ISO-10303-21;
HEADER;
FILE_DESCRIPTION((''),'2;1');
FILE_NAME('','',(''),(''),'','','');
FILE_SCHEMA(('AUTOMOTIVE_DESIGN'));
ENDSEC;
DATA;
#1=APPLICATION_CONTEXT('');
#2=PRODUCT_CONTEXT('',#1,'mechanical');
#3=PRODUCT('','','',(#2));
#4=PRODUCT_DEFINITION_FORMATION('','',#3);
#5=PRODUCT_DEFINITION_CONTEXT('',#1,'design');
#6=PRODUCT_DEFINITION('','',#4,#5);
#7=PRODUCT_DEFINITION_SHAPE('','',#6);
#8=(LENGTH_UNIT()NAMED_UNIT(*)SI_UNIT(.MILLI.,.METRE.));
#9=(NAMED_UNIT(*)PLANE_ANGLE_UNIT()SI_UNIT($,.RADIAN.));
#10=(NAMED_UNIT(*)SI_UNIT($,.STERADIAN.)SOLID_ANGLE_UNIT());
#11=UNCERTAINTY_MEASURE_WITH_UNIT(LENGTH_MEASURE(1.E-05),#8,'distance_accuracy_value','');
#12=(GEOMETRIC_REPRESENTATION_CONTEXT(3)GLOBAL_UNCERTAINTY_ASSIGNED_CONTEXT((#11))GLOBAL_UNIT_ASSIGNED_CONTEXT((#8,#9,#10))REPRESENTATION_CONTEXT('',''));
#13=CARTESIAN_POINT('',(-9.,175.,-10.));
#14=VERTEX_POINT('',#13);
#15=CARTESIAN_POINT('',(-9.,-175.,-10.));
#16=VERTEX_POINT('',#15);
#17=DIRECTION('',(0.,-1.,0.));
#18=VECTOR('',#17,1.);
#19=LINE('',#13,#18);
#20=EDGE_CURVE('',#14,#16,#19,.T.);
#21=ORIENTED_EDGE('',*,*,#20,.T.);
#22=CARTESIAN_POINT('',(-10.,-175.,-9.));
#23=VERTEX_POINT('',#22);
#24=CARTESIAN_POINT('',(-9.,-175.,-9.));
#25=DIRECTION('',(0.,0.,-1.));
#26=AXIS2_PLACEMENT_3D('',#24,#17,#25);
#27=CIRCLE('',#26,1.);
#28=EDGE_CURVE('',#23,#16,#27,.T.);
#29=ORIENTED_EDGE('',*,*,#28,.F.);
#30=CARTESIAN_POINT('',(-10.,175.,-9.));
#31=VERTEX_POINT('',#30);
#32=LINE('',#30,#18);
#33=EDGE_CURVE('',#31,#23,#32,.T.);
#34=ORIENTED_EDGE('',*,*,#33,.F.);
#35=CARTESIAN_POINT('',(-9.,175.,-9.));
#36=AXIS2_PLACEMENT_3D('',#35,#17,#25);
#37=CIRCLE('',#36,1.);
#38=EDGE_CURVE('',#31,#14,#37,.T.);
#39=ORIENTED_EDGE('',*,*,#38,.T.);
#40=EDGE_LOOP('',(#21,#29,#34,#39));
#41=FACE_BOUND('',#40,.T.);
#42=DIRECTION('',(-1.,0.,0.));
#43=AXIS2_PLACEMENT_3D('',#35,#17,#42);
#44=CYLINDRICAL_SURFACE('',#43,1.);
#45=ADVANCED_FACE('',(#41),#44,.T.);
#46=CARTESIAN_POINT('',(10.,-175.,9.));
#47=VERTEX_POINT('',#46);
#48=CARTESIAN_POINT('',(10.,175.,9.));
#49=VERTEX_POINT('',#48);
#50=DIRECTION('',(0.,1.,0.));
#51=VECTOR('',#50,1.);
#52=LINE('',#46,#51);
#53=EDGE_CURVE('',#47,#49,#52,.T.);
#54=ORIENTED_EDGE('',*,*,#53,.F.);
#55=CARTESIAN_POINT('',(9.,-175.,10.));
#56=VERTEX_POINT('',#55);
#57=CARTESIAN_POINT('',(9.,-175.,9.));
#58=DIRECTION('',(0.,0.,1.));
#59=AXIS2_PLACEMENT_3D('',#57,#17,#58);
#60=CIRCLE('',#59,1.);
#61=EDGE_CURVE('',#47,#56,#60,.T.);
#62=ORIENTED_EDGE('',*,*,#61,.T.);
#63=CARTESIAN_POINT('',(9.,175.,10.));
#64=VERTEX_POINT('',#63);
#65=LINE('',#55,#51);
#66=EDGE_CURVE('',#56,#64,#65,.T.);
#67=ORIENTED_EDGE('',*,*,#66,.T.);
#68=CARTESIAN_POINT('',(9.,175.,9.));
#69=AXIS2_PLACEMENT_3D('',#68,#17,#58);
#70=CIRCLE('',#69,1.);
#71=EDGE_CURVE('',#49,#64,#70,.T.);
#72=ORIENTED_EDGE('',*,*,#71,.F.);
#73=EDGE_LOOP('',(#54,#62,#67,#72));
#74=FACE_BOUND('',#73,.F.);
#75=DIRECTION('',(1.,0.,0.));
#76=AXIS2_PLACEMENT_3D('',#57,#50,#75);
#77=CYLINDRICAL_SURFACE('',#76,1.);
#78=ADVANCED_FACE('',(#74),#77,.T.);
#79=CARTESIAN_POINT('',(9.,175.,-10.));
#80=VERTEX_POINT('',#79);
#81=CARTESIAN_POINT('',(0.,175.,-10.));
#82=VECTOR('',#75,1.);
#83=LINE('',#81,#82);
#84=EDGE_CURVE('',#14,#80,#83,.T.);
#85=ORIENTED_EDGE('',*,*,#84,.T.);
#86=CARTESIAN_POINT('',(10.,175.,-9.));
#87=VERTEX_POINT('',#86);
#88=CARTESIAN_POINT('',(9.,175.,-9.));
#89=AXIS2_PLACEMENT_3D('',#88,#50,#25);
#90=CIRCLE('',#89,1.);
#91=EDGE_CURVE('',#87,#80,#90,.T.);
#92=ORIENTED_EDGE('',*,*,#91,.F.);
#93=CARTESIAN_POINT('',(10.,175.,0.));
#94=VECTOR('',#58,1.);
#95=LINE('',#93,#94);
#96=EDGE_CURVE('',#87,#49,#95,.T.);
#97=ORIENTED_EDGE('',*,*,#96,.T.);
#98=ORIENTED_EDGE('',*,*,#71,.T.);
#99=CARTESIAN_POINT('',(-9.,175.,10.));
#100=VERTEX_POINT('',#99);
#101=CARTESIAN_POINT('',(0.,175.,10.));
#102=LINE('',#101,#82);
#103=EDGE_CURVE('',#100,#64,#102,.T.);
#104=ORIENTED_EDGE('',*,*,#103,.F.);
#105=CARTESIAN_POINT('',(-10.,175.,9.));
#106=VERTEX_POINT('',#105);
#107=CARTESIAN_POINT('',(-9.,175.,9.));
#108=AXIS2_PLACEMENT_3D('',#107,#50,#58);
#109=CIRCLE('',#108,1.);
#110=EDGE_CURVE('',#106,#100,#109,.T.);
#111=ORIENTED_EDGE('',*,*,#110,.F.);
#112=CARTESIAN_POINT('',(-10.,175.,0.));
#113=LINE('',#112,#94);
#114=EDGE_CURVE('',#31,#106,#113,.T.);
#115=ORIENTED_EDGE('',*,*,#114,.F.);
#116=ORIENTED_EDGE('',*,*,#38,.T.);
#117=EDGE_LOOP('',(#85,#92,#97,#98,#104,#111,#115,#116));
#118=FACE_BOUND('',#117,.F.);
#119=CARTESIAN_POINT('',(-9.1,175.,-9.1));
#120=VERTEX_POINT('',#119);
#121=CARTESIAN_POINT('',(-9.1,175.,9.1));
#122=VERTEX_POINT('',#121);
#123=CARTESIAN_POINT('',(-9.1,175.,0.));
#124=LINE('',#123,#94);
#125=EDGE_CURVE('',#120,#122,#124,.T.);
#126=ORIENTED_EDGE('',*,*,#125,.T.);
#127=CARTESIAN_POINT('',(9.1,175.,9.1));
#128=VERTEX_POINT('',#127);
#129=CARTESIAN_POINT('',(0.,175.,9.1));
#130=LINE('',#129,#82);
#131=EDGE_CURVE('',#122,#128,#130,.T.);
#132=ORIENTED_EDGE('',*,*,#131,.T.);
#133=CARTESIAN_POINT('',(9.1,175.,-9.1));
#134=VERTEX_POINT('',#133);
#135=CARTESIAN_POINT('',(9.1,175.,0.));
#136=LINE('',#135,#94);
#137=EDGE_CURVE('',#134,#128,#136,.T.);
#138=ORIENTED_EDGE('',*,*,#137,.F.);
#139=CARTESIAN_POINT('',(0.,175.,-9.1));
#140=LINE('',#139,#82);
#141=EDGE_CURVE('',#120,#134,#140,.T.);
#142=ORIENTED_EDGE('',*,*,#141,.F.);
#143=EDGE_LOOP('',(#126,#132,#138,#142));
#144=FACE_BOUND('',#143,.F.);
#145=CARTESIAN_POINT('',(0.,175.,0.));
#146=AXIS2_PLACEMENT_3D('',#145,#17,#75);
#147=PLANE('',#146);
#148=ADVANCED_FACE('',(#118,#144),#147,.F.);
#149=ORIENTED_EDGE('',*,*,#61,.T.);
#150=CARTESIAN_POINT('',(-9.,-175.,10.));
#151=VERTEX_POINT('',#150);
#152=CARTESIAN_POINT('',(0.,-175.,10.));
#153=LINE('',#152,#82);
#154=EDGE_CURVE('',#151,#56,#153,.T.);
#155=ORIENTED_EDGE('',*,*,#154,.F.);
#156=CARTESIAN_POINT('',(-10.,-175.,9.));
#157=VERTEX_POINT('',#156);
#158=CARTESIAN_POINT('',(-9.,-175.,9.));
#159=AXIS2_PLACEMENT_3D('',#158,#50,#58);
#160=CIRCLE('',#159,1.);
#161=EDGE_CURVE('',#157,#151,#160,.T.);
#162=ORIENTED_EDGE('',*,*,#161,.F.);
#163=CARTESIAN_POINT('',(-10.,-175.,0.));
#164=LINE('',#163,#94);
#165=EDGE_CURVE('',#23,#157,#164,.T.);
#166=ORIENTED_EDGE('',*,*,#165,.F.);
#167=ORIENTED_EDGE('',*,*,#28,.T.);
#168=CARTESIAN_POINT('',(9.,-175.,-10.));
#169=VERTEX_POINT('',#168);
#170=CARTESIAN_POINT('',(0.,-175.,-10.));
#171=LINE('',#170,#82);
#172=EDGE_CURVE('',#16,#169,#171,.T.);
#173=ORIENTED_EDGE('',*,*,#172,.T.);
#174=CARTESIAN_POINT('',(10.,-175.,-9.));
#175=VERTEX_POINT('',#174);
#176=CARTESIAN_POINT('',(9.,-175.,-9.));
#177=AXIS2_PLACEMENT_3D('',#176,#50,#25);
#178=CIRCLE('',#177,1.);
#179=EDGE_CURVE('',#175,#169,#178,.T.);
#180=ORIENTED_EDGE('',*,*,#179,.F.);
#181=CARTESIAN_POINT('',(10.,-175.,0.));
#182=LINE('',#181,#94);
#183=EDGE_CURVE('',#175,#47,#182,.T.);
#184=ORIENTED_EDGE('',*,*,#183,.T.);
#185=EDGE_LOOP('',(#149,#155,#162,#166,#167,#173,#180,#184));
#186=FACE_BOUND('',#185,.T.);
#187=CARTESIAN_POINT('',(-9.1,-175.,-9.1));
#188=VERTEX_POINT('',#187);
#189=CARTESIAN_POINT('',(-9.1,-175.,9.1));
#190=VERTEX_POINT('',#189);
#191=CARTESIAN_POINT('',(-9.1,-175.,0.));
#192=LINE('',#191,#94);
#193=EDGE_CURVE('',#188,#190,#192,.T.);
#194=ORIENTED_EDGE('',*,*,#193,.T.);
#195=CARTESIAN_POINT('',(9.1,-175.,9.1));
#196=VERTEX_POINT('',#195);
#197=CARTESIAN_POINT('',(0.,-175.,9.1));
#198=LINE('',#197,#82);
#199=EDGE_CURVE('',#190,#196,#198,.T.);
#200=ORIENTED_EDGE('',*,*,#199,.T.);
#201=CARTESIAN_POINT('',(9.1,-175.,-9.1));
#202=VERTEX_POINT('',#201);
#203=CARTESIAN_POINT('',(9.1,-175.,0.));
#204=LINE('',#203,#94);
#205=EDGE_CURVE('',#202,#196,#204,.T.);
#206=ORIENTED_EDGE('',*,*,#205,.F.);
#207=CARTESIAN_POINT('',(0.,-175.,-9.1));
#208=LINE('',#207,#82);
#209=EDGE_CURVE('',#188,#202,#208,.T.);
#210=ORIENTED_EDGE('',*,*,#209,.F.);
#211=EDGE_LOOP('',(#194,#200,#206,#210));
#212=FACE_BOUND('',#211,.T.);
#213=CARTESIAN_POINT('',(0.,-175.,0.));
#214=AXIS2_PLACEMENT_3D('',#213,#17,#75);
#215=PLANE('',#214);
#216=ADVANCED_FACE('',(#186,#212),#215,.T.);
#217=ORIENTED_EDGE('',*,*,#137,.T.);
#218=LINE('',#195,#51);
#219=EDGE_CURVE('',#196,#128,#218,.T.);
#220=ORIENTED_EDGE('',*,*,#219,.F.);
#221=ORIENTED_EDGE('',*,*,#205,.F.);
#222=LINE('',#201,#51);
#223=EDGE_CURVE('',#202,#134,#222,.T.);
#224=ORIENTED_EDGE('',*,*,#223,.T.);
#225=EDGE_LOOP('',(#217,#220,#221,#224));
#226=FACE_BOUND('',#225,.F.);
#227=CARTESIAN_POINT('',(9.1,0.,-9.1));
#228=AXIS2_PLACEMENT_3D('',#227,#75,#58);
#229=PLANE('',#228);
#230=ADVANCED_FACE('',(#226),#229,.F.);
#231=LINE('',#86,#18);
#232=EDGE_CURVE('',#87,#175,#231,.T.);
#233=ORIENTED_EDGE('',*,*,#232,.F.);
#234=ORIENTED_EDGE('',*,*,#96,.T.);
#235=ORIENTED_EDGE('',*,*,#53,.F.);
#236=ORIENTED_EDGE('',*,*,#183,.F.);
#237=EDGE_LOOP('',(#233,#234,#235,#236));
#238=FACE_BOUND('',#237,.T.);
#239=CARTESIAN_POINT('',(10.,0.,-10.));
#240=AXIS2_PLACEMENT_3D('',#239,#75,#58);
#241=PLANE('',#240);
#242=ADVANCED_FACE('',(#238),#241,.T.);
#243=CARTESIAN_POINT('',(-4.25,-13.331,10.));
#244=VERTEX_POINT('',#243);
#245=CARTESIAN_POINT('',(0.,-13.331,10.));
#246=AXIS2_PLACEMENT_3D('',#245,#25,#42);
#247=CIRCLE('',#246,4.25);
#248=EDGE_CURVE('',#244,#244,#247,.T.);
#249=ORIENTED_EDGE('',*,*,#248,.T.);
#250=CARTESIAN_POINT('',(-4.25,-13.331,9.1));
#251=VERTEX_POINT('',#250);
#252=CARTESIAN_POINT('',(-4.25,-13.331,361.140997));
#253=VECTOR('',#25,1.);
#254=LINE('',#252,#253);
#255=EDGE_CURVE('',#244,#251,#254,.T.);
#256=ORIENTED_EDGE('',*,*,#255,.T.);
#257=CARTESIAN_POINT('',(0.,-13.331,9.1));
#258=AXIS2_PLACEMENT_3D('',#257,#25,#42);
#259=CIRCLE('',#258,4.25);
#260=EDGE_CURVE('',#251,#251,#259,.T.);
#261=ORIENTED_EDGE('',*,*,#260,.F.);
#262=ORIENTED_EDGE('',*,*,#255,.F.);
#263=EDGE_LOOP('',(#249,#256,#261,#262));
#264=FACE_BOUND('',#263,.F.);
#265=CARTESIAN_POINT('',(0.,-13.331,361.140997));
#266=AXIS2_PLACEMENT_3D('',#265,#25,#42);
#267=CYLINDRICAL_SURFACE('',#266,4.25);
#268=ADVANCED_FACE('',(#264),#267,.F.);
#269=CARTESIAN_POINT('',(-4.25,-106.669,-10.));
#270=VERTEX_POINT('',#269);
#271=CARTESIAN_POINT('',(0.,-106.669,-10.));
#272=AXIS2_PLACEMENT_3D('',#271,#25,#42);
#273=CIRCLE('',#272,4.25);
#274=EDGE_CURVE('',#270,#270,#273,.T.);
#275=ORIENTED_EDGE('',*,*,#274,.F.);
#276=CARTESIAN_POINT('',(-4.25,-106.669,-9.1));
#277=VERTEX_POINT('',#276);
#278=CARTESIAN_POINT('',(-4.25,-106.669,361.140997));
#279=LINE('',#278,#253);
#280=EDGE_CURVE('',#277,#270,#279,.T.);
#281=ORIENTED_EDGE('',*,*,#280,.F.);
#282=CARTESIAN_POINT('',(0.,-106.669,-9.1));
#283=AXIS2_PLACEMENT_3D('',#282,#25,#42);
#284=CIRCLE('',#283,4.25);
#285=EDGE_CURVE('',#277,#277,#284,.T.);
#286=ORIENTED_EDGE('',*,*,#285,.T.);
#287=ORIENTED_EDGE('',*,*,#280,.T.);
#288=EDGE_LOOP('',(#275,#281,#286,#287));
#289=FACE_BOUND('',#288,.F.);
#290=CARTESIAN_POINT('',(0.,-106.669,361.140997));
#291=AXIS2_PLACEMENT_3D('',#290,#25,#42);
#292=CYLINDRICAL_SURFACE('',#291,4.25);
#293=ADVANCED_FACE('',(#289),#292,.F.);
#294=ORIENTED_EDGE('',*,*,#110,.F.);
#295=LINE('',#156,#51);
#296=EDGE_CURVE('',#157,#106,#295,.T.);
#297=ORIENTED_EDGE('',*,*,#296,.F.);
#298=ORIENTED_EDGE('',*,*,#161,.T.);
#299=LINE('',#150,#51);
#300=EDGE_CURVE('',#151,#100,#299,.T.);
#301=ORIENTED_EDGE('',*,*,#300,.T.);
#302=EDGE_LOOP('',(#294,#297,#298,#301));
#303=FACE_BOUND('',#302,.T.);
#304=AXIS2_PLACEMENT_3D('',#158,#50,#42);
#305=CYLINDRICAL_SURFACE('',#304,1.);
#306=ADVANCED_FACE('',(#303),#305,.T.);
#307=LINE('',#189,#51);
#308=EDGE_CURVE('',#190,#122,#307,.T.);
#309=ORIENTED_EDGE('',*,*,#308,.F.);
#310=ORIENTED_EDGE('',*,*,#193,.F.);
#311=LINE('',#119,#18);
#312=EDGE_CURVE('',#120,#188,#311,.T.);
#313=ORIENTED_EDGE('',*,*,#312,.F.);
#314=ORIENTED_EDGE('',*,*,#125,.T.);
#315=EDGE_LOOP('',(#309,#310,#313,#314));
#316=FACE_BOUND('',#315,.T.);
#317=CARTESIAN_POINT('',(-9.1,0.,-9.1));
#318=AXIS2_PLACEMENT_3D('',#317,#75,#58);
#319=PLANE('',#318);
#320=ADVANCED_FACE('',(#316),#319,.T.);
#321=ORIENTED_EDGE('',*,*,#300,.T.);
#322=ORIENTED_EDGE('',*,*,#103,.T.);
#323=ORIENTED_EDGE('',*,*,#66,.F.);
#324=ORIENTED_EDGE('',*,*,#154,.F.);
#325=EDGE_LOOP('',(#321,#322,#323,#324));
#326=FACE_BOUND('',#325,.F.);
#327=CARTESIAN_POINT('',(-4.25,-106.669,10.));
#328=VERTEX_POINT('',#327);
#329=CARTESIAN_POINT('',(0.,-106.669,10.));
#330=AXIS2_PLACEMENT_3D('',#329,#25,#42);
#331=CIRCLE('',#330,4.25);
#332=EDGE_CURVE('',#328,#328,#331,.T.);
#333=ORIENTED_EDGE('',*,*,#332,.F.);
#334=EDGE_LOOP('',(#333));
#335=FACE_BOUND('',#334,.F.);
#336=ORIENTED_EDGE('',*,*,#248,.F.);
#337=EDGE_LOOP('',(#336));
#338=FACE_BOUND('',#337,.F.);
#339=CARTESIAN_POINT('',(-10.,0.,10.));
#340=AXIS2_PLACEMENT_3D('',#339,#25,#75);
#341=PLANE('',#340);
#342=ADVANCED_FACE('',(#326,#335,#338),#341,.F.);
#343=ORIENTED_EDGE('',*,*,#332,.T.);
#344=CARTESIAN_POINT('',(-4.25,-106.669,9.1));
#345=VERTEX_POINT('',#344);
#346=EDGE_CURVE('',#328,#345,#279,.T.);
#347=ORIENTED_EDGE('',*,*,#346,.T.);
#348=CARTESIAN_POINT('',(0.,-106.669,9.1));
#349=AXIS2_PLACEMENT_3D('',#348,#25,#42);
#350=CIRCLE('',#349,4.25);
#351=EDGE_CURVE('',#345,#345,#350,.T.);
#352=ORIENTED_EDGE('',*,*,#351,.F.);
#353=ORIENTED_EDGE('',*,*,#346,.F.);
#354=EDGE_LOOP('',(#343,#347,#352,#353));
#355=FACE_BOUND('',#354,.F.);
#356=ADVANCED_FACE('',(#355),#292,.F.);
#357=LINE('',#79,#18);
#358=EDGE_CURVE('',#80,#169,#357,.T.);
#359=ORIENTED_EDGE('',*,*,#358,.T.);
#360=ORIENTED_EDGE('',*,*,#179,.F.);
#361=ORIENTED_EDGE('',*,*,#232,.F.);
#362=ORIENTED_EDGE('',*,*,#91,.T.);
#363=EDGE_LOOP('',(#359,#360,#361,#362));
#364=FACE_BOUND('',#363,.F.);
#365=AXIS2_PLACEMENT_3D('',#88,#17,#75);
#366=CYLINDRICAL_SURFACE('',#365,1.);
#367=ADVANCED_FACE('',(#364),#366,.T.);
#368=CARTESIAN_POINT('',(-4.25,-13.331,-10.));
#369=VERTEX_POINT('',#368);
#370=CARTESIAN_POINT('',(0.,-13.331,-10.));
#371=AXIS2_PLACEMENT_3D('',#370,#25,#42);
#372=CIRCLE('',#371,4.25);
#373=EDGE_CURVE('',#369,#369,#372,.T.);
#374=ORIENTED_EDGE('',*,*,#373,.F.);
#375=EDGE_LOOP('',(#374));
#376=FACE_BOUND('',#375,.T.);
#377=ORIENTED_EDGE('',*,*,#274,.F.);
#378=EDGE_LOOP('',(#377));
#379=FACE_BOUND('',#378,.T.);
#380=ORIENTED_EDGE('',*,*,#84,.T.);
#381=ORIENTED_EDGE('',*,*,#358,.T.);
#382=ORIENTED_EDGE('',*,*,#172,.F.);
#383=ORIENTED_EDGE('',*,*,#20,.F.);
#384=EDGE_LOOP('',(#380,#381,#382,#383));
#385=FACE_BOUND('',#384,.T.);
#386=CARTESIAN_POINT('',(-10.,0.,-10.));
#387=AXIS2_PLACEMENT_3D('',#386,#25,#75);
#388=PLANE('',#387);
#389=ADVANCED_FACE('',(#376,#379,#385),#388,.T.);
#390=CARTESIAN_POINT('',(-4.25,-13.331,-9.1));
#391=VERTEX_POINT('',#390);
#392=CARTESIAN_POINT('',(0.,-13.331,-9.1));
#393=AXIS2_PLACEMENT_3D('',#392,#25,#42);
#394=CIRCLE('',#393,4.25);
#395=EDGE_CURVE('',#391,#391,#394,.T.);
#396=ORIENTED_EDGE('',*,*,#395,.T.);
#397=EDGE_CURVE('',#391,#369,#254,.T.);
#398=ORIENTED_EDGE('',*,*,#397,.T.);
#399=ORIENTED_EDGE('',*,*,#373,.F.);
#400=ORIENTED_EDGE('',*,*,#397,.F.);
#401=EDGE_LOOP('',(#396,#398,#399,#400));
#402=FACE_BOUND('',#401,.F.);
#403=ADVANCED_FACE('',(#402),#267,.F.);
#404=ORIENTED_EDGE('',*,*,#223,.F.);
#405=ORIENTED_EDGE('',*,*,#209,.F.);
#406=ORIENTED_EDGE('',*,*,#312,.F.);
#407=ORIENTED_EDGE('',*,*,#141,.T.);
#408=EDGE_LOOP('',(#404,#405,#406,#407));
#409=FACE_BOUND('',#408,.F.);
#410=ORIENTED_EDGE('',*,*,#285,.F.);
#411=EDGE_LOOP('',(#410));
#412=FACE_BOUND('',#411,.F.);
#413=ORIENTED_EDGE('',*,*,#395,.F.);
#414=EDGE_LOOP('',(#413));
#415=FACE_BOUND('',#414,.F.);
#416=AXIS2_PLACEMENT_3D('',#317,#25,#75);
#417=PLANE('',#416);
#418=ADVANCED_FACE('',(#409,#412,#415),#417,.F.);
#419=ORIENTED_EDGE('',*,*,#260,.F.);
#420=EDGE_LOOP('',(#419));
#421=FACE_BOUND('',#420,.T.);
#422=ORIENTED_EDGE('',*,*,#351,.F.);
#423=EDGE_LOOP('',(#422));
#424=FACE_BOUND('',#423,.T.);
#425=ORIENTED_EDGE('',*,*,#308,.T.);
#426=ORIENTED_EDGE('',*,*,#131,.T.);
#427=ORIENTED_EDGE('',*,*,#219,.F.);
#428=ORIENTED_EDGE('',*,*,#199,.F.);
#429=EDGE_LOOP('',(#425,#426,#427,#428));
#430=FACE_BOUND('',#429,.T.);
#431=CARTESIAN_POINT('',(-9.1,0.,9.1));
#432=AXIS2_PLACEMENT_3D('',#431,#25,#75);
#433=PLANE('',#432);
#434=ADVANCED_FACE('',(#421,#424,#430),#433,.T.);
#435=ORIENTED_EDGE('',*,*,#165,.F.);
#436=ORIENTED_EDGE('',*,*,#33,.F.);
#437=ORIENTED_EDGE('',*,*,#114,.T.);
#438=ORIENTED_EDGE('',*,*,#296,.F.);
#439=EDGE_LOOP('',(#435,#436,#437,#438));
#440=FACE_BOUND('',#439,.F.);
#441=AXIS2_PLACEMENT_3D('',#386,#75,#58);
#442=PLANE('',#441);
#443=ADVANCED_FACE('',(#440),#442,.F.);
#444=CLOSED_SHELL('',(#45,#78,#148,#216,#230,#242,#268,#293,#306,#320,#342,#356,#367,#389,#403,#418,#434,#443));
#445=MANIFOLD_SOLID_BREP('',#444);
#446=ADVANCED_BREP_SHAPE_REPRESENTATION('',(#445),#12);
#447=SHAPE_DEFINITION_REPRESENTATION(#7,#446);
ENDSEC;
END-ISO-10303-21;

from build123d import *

# Parameters (mm, degrees)
F0_W     = 20
F0_H     = 20
F0_W_2   = 18.2
F0_H_2   = 18.2
F1_DEPTH = 175
F2_R     = 1
F4_D     = 8.5


with BuildPart() as f1:
    # F0 (on Front) → F1 (new body, symmetric)
    with BuildSketch(Plane.XZ):
        Rectangle(F0_W, F0_H)
        Rectangle(F0_W_2, F0_H_2, mode=Mode.SUBTRACT)
    extrude(amount=F1_DEPTH, both=True)

    # F2
    f2_edges = [f1.edges().sort_by_distance(p)[0] for p in [
        (10, 0, 10),
        (-10, 0, 10),
        (10, 0, -10),
        (-10, 0, -10),
    ]]
    fillet(f2_edges, radius=F2_R)

    # F4 (through all)
    with Locations(Plane.XY.offset(10)):
        with Locations((0, -13.331), (0, -106.669)):
            Hole(F4_D / 2)


solid = f1.part
